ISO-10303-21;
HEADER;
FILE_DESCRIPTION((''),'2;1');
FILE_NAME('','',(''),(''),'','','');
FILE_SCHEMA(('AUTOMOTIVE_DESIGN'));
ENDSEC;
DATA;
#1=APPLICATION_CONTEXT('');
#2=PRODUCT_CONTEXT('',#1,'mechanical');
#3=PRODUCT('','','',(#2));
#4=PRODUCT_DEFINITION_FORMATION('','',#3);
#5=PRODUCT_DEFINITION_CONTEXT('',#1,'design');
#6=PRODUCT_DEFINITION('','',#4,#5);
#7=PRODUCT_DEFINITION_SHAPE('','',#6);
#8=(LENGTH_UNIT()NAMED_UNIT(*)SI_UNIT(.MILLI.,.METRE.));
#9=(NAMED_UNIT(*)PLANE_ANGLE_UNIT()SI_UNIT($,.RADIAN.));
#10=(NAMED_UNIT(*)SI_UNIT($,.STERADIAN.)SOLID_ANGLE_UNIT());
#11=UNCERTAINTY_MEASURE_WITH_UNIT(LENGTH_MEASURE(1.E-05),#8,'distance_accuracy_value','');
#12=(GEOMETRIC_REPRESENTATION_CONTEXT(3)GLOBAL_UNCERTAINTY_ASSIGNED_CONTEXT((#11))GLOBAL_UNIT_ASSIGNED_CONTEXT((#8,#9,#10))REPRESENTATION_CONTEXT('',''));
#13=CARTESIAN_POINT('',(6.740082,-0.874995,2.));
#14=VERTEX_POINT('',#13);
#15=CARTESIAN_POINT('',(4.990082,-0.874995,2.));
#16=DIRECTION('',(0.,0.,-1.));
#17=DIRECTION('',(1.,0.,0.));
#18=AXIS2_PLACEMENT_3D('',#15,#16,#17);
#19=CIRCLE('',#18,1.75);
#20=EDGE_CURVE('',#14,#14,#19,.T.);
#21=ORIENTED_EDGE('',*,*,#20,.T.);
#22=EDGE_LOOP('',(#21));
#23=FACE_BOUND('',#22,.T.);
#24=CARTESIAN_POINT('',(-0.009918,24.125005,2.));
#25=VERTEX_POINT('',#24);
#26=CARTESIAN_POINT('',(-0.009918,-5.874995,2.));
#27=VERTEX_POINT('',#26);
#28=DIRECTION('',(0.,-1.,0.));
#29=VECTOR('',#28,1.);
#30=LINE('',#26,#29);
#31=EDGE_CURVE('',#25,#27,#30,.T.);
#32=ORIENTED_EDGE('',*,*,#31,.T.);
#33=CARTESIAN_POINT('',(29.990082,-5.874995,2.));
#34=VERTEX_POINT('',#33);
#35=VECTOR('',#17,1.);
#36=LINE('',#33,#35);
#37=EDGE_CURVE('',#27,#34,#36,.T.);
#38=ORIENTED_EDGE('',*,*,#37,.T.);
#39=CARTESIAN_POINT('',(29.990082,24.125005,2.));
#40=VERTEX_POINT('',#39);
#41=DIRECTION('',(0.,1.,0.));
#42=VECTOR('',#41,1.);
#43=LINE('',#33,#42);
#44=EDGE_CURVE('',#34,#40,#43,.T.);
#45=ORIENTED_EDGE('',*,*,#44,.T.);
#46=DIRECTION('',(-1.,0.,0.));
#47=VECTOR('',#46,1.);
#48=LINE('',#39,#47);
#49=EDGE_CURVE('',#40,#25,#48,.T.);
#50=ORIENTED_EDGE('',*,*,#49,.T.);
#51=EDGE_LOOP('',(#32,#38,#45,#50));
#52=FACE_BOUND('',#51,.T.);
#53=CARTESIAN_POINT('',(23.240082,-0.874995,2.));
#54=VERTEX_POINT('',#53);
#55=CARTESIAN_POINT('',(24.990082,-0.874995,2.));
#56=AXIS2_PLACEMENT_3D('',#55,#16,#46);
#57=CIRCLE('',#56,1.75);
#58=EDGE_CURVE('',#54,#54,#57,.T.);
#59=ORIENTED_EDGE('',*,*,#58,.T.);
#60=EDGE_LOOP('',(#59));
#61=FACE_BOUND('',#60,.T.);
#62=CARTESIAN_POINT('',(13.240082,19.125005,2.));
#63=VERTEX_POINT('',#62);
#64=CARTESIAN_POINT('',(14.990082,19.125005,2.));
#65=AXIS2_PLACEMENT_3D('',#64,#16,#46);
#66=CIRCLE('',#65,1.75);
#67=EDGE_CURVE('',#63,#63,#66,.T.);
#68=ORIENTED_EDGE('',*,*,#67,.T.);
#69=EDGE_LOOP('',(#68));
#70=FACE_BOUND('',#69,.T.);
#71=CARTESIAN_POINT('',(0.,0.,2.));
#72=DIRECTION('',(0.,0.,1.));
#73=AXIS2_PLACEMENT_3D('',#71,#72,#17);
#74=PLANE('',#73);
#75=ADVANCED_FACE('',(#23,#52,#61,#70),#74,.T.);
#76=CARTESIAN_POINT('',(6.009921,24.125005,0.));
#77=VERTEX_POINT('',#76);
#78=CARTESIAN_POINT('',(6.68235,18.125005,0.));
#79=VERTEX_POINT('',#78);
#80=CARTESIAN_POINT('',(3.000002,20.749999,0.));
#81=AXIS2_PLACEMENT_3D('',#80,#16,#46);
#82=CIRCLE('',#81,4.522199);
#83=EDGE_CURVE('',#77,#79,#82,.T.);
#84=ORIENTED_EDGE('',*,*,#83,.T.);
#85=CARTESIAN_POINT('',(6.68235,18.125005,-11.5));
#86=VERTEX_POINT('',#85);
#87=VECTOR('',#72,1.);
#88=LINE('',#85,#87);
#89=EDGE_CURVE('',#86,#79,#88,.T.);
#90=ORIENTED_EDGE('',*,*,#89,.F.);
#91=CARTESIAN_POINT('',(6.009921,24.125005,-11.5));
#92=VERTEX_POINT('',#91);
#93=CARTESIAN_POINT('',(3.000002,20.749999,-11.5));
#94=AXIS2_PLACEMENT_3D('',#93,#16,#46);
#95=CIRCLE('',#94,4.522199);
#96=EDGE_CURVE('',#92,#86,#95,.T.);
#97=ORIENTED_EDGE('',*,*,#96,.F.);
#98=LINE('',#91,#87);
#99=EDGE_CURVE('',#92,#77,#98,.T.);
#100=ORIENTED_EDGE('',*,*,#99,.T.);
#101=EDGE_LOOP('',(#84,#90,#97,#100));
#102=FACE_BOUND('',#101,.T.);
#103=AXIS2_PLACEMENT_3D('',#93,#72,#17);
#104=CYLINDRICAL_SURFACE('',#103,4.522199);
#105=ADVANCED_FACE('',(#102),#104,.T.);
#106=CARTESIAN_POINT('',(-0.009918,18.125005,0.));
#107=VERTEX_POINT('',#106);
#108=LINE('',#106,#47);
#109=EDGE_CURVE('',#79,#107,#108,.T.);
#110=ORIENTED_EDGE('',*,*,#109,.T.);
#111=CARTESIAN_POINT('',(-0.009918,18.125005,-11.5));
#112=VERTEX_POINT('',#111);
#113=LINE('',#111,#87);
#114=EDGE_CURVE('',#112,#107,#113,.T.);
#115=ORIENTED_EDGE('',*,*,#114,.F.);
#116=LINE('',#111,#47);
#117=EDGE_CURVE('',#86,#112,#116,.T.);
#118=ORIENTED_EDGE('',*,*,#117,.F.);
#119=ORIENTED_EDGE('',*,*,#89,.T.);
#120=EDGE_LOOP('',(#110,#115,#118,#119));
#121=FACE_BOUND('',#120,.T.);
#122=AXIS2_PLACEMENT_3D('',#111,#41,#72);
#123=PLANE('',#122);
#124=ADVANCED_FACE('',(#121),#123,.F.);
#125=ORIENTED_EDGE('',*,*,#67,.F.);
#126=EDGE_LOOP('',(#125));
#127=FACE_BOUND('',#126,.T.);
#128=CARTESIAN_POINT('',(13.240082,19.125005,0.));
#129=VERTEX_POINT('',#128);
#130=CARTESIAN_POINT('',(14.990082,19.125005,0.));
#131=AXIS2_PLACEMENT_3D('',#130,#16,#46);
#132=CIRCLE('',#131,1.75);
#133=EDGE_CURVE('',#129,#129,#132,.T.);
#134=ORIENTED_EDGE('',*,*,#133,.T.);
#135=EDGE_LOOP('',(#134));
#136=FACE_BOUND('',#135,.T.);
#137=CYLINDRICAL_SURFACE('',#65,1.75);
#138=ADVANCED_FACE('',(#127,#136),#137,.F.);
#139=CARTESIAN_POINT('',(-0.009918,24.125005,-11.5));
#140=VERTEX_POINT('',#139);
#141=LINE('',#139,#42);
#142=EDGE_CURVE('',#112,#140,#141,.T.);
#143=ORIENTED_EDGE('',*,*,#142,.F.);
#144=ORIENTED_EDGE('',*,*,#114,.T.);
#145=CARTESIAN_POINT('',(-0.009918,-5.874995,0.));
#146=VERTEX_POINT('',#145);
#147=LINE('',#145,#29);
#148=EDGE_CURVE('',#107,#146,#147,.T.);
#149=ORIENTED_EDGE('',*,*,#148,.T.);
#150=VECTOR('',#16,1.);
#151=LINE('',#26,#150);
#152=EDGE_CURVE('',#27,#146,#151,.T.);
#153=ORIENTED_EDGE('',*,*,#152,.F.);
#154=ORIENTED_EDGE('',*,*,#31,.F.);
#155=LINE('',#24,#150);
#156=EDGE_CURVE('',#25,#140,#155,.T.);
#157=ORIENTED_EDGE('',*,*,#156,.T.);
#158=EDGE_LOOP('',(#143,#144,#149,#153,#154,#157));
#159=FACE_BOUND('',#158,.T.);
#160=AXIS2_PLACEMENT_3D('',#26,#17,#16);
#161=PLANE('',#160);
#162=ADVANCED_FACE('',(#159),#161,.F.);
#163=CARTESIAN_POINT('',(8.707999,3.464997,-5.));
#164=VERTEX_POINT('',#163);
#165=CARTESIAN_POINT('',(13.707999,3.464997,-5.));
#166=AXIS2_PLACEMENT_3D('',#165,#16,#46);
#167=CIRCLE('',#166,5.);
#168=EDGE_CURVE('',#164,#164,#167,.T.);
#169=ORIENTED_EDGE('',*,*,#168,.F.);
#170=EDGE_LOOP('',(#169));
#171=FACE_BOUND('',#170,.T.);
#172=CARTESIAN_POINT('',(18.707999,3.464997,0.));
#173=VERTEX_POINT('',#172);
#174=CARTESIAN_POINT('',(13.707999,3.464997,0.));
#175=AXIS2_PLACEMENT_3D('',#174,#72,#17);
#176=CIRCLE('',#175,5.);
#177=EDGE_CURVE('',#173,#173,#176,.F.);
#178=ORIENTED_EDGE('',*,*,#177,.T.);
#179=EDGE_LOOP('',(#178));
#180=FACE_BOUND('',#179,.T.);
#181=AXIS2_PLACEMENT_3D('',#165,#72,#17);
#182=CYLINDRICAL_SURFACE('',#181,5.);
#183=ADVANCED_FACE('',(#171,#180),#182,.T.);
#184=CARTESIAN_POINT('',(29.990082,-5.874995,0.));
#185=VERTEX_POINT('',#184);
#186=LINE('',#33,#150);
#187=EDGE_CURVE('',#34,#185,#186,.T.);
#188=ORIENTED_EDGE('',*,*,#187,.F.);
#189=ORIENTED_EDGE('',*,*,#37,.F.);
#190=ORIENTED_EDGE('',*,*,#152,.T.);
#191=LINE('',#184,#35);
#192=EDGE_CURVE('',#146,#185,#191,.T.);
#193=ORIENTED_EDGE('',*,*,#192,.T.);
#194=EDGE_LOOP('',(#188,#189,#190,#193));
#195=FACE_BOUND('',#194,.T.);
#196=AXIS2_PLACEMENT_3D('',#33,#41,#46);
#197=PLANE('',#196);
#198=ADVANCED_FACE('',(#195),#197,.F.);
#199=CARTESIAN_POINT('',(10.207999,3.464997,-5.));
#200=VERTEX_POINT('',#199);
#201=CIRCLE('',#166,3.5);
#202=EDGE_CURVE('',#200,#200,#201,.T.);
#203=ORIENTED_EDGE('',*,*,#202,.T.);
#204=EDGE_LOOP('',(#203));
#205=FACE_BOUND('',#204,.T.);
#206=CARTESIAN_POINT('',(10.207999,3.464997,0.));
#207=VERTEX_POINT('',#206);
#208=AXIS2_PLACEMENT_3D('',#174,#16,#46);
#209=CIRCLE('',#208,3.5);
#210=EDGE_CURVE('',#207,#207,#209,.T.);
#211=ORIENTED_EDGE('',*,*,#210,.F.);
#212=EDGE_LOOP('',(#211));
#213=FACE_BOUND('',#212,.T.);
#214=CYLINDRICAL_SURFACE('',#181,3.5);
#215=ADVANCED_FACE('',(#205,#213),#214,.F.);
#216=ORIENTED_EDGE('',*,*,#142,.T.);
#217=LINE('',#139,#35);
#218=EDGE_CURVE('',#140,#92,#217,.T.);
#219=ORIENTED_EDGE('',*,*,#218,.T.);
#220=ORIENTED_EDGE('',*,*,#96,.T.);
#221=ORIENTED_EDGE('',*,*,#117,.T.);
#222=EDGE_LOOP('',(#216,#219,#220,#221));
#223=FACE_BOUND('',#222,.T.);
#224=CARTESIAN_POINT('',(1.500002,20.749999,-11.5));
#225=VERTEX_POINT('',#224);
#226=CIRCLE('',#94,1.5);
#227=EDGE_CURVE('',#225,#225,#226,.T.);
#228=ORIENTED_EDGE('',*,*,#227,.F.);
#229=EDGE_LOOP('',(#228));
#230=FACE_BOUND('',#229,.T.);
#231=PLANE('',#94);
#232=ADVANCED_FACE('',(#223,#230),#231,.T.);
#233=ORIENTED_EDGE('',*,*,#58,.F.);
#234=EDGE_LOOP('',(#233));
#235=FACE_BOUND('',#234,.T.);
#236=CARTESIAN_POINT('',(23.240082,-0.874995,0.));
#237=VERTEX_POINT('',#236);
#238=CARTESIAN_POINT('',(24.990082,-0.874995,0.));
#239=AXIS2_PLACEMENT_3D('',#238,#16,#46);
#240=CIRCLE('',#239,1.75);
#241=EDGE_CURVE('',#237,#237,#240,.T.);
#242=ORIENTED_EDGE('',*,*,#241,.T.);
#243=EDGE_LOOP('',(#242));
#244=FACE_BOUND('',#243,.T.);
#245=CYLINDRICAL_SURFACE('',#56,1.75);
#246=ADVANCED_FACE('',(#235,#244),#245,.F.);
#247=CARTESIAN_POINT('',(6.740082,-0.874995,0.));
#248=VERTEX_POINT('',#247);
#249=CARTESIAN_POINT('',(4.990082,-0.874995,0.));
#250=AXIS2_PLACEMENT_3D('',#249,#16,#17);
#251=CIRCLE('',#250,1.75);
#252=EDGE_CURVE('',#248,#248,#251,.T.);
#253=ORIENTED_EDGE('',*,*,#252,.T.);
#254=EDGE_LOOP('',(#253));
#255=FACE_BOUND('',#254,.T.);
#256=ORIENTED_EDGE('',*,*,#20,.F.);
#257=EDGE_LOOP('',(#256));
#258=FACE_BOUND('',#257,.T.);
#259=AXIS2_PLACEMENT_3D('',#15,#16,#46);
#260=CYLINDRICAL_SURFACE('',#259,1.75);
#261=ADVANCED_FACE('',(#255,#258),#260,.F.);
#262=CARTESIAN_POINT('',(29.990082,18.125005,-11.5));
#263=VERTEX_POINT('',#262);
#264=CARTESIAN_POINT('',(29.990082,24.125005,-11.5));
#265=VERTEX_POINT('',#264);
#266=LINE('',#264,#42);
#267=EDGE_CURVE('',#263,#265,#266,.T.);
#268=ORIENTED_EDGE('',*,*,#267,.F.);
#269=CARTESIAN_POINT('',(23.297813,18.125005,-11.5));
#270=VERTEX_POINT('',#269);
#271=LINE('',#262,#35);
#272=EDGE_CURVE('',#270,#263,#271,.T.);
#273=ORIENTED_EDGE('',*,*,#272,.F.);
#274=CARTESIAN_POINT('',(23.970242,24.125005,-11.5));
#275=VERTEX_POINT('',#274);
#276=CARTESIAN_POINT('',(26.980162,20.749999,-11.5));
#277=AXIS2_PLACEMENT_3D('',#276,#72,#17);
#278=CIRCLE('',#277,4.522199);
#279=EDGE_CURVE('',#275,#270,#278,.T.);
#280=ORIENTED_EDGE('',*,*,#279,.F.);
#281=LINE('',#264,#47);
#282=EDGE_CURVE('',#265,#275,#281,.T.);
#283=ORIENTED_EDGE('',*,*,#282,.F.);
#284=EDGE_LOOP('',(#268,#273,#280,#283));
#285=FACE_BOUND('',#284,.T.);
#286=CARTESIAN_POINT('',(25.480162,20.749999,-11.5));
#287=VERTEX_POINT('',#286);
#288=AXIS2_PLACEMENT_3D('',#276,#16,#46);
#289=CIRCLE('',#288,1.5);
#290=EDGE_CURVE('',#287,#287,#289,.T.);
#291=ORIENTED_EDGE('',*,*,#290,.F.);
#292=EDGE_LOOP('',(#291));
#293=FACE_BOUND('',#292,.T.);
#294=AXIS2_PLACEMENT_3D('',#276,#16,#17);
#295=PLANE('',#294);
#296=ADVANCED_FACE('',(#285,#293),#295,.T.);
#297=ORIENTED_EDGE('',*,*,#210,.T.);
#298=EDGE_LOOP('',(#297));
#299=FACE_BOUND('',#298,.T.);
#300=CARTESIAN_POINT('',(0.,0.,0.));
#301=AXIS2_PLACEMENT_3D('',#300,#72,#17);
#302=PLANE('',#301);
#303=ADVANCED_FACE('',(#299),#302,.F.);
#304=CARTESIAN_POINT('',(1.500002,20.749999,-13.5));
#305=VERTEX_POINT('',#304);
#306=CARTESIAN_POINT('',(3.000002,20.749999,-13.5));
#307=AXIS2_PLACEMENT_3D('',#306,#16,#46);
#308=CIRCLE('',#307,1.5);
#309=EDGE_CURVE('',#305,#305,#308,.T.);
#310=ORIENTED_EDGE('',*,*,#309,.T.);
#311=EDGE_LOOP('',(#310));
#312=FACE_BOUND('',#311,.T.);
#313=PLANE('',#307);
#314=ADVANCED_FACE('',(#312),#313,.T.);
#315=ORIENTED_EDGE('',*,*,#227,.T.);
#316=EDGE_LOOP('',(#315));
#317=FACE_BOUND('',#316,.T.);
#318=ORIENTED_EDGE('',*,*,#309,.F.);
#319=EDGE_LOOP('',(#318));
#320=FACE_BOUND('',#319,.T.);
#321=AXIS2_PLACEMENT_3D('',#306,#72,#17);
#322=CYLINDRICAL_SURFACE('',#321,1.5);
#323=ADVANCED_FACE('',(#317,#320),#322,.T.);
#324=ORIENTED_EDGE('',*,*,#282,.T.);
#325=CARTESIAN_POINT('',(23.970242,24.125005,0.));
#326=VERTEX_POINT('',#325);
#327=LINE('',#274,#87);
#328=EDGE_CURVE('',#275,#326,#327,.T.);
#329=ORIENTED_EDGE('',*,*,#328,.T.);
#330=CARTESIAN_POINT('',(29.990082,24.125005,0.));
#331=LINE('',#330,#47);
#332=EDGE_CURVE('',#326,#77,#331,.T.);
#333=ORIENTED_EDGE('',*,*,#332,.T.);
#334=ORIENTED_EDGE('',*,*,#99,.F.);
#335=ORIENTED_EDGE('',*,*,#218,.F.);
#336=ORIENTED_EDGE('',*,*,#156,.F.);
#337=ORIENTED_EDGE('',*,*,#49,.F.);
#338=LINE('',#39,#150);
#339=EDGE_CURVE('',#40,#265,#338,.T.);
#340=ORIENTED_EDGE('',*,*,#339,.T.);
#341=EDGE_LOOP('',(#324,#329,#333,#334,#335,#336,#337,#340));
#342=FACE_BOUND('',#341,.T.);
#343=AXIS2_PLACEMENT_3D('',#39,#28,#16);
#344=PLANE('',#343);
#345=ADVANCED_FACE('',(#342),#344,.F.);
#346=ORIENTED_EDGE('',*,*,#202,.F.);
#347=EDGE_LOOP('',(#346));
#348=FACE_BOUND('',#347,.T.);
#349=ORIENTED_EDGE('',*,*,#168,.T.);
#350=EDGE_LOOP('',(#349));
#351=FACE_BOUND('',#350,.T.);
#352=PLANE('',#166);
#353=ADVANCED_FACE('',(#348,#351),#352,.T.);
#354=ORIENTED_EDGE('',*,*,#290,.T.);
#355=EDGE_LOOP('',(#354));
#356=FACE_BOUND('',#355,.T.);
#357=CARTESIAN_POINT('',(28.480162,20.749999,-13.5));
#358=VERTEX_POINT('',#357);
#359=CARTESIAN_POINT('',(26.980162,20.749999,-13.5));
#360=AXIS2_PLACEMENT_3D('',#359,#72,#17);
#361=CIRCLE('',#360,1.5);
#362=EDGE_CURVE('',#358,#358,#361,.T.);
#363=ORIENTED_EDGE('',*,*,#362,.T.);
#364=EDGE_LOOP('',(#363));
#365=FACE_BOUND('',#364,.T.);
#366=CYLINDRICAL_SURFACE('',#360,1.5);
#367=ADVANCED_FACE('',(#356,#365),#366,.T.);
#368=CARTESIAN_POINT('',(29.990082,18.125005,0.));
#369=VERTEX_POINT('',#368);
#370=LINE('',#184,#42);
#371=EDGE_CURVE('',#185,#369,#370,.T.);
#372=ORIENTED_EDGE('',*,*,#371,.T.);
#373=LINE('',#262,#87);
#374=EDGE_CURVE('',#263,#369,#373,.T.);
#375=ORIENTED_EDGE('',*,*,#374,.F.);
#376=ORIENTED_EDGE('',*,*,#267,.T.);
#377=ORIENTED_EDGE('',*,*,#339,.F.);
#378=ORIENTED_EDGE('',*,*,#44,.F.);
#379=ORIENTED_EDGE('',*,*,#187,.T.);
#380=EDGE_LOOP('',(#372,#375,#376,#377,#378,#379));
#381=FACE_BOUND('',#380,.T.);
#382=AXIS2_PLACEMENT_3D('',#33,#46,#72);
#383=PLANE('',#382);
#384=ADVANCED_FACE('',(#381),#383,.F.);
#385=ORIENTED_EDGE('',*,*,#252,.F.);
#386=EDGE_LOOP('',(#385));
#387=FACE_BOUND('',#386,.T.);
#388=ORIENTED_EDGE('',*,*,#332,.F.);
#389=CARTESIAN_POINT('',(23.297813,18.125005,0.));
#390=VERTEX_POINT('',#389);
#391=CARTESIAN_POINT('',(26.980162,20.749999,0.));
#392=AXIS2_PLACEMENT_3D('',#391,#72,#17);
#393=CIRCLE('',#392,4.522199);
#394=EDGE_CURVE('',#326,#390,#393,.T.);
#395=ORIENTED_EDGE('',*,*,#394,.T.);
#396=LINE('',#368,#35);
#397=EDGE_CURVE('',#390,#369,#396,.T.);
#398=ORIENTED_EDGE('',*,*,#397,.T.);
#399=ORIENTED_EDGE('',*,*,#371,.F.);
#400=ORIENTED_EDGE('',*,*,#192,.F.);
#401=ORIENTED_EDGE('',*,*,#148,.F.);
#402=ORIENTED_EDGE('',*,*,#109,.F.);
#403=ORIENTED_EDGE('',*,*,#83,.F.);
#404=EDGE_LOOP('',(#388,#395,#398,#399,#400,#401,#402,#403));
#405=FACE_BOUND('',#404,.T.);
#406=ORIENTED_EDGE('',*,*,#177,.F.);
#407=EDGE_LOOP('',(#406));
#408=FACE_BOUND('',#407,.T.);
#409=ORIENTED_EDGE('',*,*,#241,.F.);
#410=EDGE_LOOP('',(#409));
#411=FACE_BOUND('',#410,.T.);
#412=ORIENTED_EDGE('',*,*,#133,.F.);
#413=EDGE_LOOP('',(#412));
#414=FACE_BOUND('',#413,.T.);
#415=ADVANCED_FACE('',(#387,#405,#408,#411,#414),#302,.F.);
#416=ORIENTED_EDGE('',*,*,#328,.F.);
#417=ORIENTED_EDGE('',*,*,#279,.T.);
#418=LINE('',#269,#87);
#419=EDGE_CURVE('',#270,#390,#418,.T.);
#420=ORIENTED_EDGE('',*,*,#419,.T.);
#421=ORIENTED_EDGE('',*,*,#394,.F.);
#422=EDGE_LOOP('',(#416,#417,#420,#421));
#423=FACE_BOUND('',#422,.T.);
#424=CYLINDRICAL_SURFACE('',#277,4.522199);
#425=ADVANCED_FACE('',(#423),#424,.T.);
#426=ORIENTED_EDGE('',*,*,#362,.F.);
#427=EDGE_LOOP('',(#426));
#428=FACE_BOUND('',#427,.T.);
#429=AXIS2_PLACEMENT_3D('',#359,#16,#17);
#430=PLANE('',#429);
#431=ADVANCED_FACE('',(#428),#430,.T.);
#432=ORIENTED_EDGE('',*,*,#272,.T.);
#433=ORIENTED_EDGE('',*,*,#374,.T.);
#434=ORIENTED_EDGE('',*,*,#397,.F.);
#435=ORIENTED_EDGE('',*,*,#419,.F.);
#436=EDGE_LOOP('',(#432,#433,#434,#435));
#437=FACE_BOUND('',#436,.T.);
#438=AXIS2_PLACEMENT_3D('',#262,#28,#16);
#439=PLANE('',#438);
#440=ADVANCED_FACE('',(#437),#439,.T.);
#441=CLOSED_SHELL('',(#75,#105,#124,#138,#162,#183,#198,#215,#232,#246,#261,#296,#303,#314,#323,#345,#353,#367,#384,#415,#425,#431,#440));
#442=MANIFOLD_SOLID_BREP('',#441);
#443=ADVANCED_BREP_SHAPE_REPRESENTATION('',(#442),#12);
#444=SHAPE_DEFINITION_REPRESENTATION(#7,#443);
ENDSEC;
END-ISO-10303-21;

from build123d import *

# Parameters (mm, degrees)
SKETCH1_W           = 30
SKETCH1_H           = 30
BOSS_EXTRUDE1_DEPTH = 2
BOSS_EXTRUDE3_DEPTH = 11.5
SKETCH3_R           = 1.5
BOSS_EXTRUDE4_DEPTH = 2
SKETCH4_R           = 5
SKETCH4_R_2         = 3.5
BOSS_EXTRUDE5_DEPTH = 5
SKETCH5_R           = 1.75
CUT_EXTRUDE1_DEPTH  = 3


with BuildPart() as part:
    # Sketch1 → Boss-Extrude1 (new body)
    with BuildSketch(Plane.XY):
        with Locations((14.990081794, 9.125005221)):
            Rectangle(SKETCH1_W, SKETCH1_H)
    extrude(amount=BOSS_EXTRUDE1_DEPTH)

    # Sketch2 → Boss-Extrude3 (add)
    with BuildSketch(Plane(origin=(0, 0, 0), x_dir=(-1, 0, 0), z_dir=(0, 0, -1))):
        with BuildLine():
            Line((0.009918206, 24.125005221), (0.009918206, 18.125005221))
            Line((0.009918206, 18.125005221), (-6.682350101, 18.125005221))
            ThreePointArc((-6.682350101, 18.125005221), (-7.494065902, 21.253655407), (-6.009921446, 24.125005221))
            Line((-6.009921446, 24.125005221), (0.009918206, 24.125005221))
        make_face()
    boss_extrude3 = extrude(amount=BOSS_EXTRUDE3_DEPTH)

    # Sketch3 → Boss-Extrude4 (add)
    with BuildSketch(Plane(origin=(0, 0, -11.5), x_dir=(-1, 0, 0), z_dir=(0, 0, -1))):
        with Locations((-3.00000162, 20.74999914)):
            Circle(SKETCH3_R)
    boss_extrude4 = extrude(amount=BOSS_EXTRUDE4_DEPTH)

    # Mirror1: Boss-Extrude3, Boss-Extrude4 across plane
    add(boss_extrude3.mirror(Plane(origin=(14.990081794, 0, 0), x_dir=(0, 0, 1), z_dir=(1, 0, 0))))
    add(boss_extrude4.mirror(Plane(origin=(14.990081794, 0, 0), x_dir=(0, 0, 1), z_dir=(1, 0, 0))))

    # Sketch4 → Boss-Extrude5 (add)
    with BuildSketch(Plane(origin=(0, 0, 0), x_dir=(-1, 0, 0), z_dir=(0, 0, -1))):
        with Locations((-13.707999, 3.46499688)):
            Circle(SKETCH4_R)
        with Locations((-13.707999, 3.46499688)):
            Circle(SKETCH4_R_2, mode=Mode.SUBTRACT)
    extrude(amount=BOSS_EXTRUDE5_DEPTH)

    # Sketch5 → Cut-Extrude1 (cut, through all)
    with BuildSketch(Plane(origin=(0, 0, 0), x_dir=(-1, 0, 0), z_dir=(0, 0, -1))):
        with Locations((-24.990081794, -0.874994779)):
            Circle(SKETCH5_R)
        with Locations((-4.990081794, -0.874994779)):
            Circle(SKETCH5_R)
        with Locations((-14.990081794, 19.125005221)):
            Circle(SKETCH5_R)
    extrude(amount=-CUT_EXTRUDE1_DEPTH, mode=Mode.SUBTRACT)


solid = part.part
